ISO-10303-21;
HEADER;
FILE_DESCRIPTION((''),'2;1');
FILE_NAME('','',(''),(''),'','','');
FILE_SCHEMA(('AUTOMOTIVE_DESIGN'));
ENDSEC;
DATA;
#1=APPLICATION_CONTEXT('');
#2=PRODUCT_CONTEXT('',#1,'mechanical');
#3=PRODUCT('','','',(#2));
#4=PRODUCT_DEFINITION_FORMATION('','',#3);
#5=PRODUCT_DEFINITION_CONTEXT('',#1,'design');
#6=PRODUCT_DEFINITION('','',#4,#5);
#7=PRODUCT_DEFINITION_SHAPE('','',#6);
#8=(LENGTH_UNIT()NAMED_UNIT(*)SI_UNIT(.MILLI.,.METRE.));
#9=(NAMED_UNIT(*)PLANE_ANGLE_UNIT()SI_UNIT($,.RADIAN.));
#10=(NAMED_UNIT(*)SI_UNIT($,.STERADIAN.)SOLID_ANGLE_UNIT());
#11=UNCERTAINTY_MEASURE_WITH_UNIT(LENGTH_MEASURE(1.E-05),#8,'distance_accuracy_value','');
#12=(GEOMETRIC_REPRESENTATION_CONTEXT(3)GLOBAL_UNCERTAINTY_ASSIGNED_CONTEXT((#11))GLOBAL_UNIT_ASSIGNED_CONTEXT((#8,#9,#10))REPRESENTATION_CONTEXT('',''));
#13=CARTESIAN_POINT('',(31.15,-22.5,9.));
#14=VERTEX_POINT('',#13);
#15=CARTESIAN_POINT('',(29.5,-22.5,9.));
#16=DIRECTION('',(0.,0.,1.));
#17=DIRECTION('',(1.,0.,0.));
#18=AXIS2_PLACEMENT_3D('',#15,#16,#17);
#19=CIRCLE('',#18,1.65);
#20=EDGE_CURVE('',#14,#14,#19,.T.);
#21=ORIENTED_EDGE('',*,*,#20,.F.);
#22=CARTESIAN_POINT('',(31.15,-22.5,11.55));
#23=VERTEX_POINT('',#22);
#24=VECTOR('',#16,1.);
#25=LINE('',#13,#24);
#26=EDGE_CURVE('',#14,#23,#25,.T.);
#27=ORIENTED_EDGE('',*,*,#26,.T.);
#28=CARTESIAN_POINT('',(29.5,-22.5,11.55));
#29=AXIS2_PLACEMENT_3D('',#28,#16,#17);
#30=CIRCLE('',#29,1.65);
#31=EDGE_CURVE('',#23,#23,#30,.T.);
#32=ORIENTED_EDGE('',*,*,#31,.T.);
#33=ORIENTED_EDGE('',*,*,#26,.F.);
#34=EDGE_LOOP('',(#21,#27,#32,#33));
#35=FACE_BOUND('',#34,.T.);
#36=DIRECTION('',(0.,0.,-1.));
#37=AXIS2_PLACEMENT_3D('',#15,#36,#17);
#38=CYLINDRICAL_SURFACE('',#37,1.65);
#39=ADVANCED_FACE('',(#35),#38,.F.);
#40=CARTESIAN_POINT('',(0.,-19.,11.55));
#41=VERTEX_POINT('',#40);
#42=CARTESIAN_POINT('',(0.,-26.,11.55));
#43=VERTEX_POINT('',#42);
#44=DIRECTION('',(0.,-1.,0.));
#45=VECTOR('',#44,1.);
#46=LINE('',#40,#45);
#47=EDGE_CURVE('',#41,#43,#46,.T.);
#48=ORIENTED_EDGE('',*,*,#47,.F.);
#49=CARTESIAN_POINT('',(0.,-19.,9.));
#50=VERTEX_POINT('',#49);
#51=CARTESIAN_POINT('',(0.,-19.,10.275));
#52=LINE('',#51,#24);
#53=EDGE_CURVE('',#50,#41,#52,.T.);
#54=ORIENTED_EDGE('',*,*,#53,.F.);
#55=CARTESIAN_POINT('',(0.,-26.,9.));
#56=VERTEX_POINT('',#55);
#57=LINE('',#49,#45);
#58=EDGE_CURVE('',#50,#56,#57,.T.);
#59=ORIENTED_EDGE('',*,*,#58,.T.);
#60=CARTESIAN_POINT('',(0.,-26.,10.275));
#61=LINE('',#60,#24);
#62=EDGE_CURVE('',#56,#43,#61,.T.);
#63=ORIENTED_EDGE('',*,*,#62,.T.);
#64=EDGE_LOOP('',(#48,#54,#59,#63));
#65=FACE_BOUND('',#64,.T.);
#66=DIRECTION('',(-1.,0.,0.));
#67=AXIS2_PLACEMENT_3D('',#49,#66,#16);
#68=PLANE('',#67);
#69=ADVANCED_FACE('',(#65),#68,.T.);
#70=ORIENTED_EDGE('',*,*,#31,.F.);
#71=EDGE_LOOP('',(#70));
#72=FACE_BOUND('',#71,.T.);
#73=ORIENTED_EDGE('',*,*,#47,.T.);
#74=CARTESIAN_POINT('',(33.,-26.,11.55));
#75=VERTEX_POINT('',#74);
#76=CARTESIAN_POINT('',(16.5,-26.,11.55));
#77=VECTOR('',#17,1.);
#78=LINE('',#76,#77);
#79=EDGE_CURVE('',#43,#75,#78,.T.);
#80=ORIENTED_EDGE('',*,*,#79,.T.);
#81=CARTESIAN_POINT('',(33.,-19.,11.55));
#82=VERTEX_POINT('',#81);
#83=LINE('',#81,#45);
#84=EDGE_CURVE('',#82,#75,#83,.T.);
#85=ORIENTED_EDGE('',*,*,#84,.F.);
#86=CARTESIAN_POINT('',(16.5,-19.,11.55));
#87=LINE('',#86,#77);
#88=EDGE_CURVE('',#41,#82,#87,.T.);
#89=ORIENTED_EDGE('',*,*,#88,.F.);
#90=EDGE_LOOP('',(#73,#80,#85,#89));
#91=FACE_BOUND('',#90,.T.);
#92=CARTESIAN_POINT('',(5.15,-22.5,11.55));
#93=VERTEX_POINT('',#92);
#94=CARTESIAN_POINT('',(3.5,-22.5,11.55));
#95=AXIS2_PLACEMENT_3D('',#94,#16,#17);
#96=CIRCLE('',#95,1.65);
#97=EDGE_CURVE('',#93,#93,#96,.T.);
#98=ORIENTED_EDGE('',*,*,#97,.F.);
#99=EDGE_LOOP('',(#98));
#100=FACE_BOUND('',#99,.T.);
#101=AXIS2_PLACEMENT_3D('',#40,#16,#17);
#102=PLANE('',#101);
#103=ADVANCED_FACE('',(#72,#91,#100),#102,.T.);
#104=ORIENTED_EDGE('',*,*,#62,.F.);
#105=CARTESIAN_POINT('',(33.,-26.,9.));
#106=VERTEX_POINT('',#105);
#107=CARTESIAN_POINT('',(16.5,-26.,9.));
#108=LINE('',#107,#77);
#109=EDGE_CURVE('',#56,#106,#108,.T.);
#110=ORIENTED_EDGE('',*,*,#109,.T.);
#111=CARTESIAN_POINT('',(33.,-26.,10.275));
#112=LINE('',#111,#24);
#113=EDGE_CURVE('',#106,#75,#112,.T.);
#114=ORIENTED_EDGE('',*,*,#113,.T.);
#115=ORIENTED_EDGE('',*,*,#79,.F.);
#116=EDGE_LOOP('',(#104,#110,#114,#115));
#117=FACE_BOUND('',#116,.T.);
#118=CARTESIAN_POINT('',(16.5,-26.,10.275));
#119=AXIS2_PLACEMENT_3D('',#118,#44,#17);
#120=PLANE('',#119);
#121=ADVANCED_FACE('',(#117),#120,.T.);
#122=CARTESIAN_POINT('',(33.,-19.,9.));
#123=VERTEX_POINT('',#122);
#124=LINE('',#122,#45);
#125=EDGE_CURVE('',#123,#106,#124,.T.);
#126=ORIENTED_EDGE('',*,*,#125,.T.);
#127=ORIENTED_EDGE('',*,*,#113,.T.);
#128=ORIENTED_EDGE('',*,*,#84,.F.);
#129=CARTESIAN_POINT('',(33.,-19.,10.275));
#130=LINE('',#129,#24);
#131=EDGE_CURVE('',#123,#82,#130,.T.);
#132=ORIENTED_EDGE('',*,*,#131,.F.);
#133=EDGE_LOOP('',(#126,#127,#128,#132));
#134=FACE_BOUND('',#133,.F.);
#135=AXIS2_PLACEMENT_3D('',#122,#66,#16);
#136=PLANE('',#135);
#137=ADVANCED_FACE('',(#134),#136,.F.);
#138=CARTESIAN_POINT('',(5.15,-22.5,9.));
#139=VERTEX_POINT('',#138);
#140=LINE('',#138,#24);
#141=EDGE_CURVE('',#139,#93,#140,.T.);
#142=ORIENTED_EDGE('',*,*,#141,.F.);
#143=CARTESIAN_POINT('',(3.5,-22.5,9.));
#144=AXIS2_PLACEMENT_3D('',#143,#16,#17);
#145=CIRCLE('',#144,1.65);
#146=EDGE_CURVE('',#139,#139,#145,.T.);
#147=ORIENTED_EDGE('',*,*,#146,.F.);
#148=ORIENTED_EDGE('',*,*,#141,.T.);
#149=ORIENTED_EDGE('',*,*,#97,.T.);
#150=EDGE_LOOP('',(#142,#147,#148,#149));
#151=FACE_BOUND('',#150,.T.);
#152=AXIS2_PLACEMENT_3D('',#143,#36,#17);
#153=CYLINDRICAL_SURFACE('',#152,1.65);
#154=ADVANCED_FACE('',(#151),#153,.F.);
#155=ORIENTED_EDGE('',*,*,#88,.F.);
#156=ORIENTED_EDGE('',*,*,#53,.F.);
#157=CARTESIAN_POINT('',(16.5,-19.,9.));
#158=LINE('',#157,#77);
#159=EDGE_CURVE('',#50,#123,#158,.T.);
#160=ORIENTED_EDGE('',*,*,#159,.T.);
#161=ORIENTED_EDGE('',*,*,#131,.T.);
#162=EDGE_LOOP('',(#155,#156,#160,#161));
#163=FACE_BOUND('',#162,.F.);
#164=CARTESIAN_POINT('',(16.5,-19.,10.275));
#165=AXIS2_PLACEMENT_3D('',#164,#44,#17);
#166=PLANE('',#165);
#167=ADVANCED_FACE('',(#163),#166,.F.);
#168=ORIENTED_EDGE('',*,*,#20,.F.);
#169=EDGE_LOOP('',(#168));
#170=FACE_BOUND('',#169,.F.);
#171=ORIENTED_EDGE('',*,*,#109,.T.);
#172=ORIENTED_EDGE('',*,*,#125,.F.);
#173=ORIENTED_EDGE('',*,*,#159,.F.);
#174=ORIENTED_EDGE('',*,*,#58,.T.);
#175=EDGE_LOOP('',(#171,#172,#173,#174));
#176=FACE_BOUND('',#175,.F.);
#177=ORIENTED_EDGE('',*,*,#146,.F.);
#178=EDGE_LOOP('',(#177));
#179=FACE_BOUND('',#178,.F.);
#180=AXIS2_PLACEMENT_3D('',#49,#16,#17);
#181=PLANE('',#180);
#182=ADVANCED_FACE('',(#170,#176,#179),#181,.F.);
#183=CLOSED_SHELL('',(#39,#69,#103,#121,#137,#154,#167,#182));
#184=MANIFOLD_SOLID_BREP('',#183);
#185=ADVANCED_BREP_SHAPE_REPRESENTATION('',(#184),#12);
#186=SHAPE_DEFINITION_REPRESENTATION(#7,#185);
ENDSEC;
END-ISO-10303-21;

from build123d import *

# Parameters (mm, degrees)
CYLINDER003_R     = 1.65
CYLINDER003_DEPTH = 2.55
BOX004_W          = 33
BOX004_H          = 2.55
BOX004_DEPTH      = 7


with BuildPart() as hole001:
    # Cylinder003 → Cylinder003 (new body)
    with BuildSketch(Plane(origin=(3.5, -22.5, 9), x_dir=(1, 0, 0), z_dir=(0, 0, 1))):
        Circle(CYLINDER003_R)
    extrude(amount=CYLINDER003_DEPTH)


with BuildPart() as hole005:
    # Clone012 base: copy of hole001
    add(hole001.part)


with BuildPart() as hole005_1:
    # Clone012 placement: moved
    add(hole005.part.moved(Location((26, 0, 0))))


with BuildPart() as fusion002:
    # Fusion002 base: copy of hole001
    add(hole001.part)

    # Fusion002: union hole005
    add(hole005_1.part)


with BuildPart() as micbar001:
    # Box004 → Box004 (new body)
    with BuildSketch(Plane(origin=(0, -19, 9), x_dir=(1, 0, 0), z_dir=(0, -1, 0))):
        with Locations((16.5, 1.275)):
            Rectangle(BOX004_W, BOX004_H)
    extrude(amount=BOX004_DEPTH)

    # Cut002: cut Fusion002
    add(fusion002.part, mode=Mode.SUBTRACT)


solid = micbar001.part
